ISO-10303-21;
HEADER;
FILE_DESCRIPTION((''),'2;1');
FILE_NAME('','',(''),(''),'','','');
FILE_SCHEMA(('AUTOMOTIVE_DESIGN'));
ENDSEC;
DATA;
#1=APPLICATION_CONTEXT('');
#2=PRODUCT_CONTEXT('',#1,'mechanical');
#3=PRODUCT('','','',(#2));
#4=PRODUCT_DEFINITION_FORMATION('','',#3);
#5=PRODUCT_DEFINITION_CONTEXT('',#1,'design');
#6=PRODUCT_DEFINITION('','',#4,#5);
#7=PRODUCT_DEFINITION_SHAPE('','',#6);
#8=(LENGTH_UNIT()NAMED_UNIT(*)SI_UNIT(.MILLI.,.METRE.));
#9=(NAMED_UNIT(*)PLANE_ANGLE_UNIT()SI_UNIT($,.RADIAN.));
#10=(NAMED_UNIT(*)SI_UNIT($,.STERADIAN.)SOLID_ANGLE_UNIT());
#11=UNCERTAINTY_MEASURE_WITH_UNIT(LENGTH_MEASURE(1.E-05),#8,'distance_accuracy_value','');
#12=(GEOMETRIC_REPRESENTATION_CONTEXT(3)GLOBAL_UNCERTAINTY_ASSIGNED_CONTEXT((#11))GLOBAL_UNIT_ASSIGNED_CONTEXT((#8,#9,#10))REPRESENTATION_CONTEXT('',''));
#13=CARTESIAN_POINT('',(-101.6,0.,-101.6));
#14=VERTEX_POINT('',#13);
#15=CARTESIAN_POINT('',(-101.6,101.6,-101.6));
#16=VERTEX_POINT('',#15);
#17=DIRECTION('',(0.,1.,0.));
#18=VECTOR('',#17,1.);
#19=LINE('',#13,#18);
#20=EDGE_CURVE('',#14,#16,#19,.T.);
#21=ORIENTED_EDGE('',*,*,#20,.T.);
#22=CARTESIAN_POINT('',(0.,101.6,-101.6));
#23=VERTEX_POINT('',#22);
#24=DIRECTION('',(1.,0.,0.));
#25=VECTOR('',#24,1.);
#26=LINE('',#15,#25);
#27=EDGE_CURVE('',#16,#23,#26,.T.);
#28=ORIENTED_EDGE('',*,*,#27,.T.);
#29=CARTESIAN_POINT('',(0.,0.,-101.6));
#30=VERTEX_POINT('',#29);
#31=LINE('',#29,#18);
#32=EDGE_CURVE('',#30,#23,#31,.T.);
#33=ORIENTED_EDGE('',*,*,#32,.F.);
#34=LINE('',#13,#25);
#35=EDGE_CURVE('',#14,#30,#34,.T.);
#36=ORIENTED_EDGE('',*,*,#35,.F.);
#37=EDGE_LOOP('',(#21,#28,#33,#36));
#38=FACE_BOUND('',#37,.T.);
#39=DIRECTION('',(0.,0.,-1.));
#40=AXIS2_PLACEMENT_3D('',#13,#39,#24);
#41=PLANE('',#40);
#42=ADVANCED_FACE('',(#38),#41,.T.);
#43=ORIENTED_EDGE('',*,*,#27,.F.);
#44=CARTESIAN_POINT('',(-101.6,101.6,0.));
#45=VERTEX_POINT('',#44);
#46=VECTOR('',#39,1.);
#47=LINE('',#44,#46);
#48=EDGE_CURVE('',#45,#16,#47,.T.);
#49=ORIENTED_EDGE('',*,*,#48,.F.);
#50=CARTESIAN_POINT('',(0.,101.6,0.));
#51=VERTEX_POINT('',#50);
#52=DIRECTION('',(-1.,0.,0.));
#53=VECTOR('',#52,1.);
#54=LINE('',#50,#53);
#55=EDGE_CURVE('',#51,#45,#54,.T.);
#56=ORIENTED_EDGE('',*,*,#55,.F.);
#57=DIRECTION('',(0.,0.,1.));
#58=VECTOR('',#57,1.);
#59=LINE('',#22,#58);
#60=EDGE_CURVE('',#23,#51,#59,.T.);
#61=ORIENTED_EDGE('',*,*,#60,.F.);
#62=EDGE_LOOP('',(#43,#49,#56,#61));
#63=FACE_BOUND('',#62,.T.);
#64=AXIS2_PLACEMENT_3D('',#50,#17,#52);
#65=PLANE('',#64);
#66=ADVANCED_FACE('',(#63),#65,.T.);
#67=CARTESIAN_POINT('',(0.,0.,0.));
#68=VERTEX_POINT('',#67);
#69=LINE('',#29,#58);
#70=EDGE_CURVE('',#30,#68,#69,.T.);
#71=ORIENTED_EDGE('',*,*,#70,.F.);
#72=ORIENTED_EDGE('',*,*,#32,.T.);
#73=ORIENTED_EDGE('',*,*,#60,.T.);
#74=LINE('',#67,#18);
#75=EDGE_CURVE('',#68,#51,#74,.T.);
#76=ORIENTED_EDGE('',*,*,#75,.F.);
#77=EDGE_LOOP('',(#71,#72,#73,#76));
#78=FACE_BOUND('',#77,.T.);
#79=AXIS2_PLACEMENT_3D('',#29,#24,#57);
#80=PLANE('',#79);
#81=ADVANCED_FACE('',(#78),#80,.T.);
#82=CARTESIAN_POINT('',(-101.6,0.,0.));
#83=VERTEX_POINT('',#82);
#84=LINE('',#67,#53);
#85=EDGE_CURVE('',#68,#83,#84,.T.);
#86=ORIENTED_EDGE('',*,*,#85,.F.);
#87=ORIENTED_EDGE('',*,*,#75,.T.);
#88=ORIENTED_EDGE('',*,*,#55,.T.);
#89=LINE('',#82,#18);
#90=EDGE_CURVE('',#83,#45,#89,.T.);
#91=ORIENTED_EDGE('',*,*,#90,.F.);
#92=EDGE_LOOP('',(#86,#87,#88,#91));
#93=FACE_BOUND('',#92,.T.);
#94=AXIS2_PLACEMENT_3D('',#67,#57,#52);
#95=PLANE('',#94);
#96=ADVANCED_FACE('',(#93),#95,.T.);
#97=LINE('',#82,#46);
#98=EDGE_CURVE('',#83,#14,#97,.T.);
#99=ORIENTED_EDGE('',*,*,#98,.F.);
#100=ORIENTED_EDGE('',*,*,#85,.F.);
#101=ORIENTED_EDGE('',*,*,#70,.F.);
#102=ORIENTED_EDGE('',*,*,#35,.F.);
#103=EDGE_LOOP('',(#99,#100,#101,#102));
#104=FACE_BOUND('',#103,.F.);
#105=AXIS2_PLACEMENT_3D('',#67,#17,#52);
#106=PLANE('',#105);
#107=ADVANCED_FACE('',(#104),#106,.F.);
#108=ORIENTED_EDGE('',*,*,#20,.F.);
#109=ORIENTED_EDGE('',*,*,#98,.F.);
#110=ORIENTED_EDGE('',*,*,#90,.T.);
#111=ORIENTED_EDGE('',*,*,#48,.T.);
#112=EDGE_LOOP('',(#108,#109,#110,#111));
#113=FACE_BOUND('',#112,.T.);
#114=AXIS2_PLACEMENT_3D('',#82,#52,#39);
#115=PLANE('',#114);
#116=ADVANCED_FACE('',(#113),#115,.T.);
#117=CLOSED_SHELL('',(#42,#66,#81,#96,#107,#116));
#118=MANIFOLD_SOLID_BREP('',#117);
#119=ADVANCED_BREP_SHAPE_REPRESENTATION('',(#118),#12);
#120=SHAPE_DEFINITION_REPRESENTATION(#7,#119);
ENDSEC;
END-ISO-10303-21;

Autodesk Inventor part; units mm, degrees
ref_plane "YZ Plane" through (0, 0, 0) normal (1, 0, 0) x (0, 1, 0)
ref_plane "XZ Plane" through (0, 0, 0) normal (0, 1, 0) x (-1, 0, 0)
ref_plane "XY Plane" through (0, 0, 0) normal (0, 0, 1) x (1, 0, 0)
sketch "Sketch1" plane through (0, 0, 0) normal (0, 1, 0) x (-1, 0, 0)
  line L0 (0, 0) -> (101.6, 0)
  line L1 (101.6, 0) -> (101.6, -101.6)
  line L2 (101.6, -101.6) -> (0, -101.6)
  line L3 (0, -101.6) -> (0, 0)
  dimension "d0" = 101.6
  dimension "d1" = 101.6
extrude "Extrusion1" add sketch "Sketch1" along normal blind 101.6
properties material "Water"
